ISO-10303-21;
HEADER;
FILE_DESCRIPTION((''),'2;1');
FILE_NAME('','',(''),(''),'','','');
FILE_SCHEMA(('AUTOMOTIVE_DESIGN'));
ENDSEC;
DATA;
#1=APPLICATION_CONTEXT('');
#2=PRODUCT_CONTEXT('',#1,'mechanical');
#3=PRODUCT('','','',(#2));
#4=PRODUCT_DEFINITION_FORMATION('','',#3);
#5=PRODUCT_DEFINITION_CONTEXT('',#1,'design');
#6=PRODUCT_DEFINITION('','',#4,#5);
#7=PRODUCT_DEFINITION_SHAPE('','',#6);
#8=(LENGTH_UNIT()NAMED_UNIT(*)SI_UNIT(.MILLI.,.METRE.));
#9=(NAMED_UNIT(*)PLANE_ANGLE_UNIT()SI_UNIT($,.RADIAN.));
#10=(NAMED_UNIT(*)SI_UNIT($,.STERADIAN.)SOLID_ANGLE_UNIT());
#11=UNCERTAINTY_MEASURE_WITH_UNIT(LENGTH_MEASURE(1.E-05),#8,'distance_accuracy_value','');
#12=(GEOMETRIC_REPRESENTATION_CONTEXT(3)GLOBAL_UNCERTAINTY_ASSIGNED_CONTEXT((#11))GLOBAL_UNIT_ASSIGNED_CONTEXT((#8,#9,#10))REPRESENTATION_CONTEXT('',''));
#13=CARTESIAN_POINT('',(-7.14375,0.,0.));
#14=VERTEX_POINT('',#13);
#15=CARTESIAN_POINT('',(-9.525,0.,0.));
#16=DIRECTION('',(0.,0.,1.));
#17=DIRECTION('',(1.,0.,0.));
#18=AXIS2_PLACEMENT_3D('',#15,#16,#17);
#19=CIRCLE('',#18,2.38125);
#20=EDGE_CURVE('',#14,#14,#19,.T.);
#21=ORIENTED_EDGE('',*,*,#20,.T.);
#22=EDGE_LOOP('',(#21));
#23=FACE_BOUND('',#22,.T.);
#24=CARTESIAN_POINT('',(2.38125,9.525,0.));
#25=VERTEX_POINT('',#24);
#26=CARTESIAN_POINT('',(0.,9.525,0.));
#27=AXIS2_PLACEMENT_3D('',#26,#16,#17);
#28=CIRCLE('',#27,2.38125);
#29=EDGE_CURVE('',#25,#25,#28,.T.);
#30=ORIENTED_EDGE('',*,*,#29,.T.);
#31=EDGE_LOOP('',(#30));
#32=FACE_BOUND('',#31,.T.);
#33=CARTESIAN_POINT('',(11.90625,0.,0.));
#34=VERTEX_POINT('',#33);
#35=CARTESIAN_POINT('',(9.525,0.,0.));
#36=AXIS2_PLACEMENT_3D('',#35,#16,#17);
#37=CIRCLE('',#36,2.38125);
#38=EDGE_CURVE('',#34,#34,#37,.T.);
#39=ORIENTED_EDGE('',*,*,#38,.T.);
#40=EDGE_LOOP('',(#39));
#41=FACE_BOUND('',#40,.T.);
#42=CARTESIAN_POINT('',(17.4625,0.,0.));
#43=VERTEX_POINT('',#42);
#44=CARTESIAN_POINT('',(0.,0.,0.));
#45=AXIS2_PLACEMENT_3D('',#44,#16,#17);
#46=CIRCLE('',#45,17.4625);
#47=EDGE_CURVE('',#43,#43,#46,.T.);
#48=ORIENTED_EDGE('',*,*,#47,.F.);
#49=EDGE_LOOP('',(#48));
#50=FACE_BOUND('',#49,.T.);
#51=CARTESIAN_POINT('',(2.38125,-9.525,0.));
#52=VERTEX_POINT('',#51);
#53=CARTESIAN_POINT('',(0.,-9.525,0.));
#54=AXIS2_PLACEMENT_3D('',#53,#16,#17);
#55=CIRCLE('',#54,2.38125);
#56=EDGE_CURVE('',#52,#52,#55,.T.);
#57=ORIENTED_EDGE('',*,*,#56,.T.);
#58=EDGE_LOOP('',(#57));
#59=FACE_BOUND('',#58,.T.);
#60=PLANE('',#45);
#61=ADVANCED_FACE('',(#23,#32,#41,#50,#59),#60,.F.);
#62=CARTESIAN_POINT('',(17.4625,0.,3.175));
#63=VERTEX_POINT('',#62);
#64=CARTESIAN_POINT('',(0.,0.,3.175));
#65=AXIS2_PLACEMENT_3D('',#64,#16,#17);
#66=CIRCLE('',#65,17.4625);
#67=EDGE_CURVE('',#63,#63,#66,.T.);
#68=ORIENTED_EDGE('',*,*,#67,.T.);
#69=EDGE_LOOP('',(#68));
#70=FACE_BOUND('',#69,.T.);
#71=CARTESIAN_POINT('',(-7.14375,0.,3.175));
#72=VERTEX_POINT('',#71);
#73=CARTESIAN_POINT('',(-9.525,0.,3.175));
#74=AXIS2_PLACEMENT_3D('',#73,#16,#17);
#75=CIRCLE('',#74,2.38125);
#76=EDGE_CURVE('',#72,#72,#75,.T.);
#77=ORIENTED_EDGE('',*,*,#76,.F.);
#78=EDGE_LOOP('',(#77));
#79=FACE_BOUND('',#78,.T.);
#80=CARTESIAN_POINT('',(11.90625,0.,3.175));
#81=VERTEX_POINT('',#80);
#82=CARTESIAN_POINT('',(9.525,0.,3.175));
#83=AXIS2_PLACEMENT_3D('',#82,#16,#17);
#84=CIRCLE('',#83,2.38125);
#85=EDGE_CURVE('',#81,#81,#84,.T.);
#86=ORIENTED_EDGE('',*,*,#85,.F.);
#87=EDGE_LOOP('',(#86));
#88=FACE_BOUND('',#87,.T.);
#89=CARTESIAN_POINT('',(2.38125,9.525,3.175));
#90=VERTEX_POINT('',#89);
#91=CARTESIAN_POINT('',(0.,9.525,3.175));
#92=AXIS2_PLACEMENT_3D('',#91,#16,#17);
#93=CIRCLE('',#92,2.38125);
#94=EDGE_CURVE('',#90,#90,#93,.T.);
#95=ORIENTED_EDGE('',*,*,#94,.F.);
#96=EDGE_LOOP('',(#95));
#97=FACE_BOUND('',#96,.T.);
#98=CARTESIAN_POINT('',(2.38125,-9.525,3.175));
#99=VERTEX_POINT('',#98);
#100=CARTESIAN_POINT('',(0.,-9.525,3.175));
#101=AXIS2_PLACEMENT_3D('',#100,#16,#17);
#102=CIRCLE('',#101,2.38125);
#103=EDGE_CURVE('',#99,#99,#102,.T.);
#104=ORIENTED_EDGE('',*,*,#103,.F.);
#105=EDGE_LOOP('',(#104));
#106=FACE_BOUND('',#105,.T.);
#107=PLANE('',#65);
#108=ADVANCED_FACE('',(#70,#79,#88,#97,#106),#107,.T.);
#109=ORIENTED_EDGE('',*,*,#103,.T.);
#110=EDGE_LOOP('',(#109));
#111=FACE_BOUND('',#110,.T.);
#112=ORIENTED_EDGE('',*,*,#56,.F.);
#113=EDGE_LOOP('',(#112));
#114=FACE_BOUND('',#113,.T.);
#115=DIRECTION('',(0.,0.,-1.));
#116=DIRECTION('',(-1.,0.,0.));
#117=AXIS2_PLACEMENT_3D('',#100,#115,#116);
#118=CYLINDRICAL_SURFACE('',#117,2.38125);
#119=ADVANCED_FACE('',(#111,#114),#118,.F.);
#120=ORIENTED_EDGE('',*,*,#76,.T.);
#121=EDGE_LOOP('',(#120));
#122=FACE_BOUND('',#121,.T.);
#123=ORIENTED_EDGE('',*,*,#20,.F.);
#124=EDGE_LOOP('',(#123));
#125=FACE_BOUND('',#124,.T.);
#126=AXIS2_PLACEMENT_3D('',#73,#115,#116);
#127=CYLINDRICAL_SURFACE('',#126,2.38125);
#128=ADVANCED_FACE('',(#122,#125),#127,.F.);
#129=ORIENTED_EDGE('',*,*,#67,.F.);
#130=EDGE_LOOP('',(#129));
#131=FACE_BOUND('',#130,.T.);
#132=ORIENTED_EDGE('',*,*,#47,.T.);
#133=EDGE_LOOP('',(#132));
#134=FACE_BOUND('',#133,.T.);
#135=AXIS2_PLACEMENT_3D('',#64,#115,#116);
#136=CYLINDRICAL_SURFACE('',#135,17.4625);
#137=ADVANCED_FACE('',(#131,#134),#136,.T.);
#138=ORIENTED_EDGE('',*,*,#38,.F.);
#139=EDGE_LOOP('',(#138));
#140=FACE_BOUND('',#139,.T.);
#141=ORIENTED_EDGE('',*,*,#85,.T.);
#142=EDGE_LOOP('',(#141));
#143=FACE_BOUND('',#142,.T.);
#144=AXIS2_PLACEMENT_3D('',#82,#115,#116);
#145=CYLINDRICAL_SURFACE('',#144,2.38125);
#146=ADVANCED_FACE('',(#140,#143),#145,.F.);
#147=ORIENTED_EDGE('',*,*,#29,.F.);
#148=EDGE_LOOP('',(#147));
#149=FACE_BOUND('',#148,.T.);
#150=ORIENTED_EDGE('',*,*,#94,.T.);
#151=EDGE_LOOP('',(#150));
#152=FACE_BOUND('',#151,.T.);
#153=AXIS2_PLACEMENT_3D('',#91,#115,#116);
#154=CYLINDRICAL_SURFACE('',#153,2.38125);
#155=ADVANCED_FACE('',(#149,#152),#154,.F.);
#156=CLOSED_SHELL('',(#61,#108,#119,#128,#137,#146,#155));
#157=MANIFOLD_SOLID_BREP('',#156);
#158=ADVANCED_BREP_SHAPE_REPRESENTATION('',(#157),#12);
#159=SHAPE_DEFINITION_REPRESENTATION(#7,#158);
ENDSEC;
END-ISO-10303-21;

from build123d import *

# Parameters (mm, degrees)
SKETCH1_R           = 17.4625
SKETCH1_R_2         = 2.38125
BOSS_EXTRUDE1_DEPTH = 3.175


with BuildPart() as part:
    # Sketch1 → Boss-Extrude1 (new body)
    with BuildSketch(Plane.XY):
        Circle(SKETCH1_R)
        with Locations((0, 9.525)):
            Circle(SKETCH1_R_2, mode=Mode.SUBTRACT)
        with Locations((9.525, 0)):
            Circle(SKETCH1_R_2, mode=Mode.SUBTRACT)
        with Locations((0, -9.525)):
            Circle(SKETCH1_R_2, mode=Mode.SUBTRACT)
        with Locations((-9.525, 0)):
            Circle(SKETCH1_R_2, mode=Mode.SUBTRACT)
    extrude(amount=BOSS_EXTRUDE1_DEPTH)


solid = part.part
